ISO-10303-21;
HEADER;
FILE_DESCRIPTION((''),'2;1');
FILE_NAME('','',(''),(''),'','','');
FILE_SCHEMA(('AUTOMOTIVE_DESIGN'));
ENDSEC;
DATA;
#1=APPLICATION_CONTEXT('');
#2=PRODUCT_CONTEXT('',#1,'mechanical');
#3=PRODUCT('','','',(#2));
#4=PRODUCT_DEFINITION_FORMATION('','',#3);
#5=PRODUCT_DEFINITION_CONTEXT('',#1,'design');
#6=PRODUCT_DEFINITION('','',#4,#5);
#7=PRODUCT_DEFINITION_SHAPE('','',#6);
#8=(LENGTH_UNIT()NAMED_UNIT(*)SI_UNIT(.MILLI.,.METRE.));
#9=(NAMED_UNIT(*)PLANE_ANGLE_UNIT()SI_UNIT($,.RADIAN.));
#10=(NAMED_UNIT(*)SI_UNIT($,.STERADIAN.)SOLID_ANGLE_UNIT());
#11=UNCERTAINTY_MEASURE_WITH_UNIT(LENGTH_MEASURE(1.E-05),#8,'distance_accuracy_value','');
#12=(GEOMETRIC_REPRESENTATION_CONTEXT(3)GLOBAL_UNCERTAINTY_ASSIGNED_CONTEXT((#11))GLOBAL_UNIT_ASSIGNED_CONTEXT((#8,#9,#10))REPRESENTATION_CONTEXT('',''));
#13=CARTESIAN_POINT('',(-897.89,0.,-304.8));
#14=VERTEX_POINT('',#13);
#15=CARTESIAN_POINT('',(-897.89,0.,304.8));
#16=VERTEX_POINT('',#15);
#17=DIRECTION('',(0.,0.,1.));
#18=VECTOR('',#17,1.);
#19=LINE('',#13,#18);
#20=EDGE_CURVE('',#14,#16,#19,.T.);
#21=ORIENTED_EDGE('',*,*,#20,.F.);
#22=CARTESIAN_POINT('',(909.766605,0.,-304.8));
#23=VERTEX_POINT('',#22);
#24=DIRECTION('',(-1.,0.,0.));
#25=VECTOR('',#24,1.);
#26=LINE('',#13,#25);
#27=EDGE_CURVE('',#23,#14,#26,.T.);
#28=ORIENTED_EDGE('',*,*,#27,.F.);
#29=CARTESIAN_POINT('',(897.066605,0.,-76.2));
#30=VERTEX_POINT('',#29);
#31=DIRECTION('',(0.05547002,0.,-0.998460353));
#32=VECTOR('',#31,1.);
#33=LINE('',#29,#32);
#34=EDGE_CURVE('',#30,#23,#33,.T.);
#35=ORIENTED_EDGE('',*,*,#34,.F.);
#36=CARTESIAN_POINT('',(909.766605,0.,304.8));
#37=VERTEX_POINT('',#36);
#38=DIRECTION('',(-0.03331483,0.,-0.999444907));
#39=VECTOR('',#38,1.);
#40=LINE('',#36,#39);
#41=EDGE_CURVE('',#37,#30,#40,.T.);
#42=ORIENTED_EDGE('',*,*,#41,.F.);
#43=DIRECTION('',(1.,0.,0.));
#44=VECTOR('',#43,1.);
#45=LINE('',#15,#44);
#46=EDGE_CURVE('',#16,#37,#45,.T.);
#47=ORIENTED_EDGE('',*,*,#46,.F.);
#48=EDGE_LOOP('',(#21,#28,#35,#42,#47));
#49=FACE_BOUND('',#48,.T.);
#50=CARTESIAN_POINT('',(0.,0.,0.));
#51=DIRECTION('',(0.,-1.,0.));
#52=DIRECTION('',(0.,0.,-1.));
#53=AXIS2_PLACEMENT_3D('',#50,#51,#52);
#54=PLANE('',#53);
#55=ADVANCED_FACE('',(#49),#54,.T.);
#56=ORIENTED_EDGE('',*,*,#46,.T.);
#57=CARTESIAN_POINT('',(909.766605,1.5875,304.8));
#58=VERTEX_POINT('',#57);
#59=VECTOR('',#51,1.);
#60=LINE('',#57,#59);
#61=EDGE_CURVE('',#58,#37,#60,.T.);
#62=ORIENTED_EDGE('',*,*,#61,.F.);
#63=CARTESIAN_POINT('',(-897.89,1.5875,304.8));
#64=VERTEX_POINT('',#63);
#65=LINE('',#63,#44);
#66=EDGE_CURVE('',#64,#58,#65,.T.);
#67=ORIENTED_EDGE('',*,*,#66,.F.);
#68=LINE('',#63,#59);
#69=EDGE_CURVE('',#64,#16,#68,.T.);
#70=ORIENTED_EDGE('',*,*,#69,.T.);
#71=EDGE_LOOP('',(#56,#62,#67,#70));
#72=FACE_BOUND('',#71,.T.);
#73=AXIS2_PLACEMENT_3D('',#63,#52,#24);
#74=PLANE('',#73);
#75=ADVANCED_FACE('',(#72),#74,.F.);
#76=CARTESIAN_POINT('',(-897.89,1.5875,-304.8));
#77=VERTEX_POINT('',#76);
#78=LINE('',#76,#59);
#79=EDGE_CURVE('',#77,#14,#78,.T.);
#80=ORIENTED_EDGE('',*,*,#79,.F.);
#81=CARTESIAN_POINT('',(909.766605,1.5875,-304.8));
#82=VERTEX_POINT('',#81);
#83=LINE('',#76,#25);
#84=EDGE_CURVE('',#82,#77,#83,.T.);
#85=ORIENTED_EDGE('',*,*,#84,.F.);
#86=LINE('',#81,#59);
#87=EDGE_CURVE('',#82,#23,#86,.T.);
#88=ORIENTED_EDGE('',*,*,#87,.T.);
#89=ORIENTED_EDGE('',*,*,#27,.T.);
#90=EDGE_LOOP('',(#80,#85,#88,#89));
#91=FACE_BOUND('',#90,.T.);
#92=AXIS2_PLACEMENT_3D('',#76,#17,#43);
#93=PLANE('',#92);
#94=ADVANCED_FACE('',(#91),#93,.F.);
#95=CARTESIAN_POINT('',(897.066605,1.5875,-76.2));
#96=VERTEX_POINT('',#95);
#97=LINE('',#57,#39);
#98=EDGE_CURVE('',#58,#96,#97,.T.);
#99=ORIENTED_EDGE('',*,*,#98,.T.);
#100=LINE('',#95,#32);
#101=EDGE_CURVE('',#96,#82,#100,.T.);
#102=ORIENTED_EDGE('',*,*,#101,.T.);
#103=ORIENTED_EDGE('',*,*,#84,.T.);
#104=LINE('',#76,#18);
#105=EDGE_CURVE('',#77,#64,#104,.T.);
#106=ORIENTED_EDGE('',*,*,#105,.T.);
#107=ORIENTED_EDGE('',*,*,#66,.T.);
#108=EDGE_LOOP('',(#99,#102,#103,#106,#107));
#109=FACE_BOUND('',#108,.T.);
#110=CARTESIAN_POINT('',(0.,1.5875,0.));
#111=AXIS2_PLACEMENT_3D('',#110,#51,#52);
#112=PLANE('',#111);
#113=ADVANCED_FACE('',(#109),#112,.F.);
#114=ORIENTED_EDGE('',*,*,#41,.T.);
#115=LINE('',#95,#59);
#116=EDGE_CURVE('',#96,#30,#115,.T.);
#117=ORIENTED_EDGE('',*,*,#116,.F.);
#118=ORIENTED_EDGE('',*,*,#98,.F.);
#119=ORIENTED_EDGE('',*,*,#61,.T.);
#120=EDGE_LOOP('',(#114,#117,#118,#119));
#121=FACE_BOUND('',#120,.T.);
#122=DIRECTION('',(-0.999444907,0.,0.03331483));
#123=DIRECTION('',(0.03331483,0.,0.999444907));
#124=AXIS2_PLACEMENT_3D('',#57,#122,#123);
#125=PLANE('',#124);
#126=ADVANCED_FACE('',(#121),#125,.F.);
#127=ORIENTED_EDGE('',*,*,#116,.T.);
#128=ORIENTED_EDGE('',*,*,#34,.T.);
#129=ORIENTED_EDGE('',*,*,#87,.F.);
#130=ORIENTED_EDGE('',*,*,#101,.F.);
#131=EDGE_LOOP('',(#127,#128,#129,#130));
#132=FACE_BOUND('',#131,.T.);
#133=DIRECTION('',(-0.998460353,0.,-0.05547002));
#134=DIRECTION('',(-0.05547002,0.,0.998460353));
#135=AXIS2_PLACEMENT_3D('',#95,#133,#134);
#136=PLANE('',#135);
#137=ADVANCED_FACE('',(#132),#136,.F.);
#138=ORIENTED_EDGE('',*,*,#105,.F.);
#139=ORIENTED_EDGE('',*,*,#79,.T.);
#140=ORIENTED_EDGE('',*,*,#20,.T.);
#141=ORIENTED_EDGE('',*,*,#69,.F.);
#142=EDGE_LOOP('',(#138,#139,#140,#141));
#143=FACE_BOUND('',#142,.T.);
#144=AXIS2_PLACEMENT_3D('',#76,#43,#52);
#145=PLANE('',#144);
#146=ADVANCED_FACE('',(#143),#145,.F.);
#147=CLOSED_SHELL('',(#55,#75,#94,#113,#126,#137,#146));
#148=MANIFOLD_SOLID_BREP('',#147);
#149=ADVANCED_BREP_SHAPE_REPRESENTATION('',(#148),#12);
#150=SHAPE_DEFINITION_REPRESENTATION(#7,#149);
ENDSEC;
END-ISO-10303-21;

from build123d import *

# Parameters (mm, degrees)
BOSS_EXTRUDE1_DEPTH = 1.5875


with BuildPart() as part:
    # Sketch1 → Boss-Extrude1 (new body)
    with BuildSketch(Plane(origin=(0, 0, 0), x_dir=(1, 0, 0), z_dir=(0, 1, 0))):
        Polygon((909.766604996, -304.8), (897.066604996, 76.2), (909.766604996, 304.8), (-897.89, 304.8), (-897.89, -304.8), align=None)
    extrude(amount=BOSS_EXTRUDE1_DEPTH)


solid = part.part
